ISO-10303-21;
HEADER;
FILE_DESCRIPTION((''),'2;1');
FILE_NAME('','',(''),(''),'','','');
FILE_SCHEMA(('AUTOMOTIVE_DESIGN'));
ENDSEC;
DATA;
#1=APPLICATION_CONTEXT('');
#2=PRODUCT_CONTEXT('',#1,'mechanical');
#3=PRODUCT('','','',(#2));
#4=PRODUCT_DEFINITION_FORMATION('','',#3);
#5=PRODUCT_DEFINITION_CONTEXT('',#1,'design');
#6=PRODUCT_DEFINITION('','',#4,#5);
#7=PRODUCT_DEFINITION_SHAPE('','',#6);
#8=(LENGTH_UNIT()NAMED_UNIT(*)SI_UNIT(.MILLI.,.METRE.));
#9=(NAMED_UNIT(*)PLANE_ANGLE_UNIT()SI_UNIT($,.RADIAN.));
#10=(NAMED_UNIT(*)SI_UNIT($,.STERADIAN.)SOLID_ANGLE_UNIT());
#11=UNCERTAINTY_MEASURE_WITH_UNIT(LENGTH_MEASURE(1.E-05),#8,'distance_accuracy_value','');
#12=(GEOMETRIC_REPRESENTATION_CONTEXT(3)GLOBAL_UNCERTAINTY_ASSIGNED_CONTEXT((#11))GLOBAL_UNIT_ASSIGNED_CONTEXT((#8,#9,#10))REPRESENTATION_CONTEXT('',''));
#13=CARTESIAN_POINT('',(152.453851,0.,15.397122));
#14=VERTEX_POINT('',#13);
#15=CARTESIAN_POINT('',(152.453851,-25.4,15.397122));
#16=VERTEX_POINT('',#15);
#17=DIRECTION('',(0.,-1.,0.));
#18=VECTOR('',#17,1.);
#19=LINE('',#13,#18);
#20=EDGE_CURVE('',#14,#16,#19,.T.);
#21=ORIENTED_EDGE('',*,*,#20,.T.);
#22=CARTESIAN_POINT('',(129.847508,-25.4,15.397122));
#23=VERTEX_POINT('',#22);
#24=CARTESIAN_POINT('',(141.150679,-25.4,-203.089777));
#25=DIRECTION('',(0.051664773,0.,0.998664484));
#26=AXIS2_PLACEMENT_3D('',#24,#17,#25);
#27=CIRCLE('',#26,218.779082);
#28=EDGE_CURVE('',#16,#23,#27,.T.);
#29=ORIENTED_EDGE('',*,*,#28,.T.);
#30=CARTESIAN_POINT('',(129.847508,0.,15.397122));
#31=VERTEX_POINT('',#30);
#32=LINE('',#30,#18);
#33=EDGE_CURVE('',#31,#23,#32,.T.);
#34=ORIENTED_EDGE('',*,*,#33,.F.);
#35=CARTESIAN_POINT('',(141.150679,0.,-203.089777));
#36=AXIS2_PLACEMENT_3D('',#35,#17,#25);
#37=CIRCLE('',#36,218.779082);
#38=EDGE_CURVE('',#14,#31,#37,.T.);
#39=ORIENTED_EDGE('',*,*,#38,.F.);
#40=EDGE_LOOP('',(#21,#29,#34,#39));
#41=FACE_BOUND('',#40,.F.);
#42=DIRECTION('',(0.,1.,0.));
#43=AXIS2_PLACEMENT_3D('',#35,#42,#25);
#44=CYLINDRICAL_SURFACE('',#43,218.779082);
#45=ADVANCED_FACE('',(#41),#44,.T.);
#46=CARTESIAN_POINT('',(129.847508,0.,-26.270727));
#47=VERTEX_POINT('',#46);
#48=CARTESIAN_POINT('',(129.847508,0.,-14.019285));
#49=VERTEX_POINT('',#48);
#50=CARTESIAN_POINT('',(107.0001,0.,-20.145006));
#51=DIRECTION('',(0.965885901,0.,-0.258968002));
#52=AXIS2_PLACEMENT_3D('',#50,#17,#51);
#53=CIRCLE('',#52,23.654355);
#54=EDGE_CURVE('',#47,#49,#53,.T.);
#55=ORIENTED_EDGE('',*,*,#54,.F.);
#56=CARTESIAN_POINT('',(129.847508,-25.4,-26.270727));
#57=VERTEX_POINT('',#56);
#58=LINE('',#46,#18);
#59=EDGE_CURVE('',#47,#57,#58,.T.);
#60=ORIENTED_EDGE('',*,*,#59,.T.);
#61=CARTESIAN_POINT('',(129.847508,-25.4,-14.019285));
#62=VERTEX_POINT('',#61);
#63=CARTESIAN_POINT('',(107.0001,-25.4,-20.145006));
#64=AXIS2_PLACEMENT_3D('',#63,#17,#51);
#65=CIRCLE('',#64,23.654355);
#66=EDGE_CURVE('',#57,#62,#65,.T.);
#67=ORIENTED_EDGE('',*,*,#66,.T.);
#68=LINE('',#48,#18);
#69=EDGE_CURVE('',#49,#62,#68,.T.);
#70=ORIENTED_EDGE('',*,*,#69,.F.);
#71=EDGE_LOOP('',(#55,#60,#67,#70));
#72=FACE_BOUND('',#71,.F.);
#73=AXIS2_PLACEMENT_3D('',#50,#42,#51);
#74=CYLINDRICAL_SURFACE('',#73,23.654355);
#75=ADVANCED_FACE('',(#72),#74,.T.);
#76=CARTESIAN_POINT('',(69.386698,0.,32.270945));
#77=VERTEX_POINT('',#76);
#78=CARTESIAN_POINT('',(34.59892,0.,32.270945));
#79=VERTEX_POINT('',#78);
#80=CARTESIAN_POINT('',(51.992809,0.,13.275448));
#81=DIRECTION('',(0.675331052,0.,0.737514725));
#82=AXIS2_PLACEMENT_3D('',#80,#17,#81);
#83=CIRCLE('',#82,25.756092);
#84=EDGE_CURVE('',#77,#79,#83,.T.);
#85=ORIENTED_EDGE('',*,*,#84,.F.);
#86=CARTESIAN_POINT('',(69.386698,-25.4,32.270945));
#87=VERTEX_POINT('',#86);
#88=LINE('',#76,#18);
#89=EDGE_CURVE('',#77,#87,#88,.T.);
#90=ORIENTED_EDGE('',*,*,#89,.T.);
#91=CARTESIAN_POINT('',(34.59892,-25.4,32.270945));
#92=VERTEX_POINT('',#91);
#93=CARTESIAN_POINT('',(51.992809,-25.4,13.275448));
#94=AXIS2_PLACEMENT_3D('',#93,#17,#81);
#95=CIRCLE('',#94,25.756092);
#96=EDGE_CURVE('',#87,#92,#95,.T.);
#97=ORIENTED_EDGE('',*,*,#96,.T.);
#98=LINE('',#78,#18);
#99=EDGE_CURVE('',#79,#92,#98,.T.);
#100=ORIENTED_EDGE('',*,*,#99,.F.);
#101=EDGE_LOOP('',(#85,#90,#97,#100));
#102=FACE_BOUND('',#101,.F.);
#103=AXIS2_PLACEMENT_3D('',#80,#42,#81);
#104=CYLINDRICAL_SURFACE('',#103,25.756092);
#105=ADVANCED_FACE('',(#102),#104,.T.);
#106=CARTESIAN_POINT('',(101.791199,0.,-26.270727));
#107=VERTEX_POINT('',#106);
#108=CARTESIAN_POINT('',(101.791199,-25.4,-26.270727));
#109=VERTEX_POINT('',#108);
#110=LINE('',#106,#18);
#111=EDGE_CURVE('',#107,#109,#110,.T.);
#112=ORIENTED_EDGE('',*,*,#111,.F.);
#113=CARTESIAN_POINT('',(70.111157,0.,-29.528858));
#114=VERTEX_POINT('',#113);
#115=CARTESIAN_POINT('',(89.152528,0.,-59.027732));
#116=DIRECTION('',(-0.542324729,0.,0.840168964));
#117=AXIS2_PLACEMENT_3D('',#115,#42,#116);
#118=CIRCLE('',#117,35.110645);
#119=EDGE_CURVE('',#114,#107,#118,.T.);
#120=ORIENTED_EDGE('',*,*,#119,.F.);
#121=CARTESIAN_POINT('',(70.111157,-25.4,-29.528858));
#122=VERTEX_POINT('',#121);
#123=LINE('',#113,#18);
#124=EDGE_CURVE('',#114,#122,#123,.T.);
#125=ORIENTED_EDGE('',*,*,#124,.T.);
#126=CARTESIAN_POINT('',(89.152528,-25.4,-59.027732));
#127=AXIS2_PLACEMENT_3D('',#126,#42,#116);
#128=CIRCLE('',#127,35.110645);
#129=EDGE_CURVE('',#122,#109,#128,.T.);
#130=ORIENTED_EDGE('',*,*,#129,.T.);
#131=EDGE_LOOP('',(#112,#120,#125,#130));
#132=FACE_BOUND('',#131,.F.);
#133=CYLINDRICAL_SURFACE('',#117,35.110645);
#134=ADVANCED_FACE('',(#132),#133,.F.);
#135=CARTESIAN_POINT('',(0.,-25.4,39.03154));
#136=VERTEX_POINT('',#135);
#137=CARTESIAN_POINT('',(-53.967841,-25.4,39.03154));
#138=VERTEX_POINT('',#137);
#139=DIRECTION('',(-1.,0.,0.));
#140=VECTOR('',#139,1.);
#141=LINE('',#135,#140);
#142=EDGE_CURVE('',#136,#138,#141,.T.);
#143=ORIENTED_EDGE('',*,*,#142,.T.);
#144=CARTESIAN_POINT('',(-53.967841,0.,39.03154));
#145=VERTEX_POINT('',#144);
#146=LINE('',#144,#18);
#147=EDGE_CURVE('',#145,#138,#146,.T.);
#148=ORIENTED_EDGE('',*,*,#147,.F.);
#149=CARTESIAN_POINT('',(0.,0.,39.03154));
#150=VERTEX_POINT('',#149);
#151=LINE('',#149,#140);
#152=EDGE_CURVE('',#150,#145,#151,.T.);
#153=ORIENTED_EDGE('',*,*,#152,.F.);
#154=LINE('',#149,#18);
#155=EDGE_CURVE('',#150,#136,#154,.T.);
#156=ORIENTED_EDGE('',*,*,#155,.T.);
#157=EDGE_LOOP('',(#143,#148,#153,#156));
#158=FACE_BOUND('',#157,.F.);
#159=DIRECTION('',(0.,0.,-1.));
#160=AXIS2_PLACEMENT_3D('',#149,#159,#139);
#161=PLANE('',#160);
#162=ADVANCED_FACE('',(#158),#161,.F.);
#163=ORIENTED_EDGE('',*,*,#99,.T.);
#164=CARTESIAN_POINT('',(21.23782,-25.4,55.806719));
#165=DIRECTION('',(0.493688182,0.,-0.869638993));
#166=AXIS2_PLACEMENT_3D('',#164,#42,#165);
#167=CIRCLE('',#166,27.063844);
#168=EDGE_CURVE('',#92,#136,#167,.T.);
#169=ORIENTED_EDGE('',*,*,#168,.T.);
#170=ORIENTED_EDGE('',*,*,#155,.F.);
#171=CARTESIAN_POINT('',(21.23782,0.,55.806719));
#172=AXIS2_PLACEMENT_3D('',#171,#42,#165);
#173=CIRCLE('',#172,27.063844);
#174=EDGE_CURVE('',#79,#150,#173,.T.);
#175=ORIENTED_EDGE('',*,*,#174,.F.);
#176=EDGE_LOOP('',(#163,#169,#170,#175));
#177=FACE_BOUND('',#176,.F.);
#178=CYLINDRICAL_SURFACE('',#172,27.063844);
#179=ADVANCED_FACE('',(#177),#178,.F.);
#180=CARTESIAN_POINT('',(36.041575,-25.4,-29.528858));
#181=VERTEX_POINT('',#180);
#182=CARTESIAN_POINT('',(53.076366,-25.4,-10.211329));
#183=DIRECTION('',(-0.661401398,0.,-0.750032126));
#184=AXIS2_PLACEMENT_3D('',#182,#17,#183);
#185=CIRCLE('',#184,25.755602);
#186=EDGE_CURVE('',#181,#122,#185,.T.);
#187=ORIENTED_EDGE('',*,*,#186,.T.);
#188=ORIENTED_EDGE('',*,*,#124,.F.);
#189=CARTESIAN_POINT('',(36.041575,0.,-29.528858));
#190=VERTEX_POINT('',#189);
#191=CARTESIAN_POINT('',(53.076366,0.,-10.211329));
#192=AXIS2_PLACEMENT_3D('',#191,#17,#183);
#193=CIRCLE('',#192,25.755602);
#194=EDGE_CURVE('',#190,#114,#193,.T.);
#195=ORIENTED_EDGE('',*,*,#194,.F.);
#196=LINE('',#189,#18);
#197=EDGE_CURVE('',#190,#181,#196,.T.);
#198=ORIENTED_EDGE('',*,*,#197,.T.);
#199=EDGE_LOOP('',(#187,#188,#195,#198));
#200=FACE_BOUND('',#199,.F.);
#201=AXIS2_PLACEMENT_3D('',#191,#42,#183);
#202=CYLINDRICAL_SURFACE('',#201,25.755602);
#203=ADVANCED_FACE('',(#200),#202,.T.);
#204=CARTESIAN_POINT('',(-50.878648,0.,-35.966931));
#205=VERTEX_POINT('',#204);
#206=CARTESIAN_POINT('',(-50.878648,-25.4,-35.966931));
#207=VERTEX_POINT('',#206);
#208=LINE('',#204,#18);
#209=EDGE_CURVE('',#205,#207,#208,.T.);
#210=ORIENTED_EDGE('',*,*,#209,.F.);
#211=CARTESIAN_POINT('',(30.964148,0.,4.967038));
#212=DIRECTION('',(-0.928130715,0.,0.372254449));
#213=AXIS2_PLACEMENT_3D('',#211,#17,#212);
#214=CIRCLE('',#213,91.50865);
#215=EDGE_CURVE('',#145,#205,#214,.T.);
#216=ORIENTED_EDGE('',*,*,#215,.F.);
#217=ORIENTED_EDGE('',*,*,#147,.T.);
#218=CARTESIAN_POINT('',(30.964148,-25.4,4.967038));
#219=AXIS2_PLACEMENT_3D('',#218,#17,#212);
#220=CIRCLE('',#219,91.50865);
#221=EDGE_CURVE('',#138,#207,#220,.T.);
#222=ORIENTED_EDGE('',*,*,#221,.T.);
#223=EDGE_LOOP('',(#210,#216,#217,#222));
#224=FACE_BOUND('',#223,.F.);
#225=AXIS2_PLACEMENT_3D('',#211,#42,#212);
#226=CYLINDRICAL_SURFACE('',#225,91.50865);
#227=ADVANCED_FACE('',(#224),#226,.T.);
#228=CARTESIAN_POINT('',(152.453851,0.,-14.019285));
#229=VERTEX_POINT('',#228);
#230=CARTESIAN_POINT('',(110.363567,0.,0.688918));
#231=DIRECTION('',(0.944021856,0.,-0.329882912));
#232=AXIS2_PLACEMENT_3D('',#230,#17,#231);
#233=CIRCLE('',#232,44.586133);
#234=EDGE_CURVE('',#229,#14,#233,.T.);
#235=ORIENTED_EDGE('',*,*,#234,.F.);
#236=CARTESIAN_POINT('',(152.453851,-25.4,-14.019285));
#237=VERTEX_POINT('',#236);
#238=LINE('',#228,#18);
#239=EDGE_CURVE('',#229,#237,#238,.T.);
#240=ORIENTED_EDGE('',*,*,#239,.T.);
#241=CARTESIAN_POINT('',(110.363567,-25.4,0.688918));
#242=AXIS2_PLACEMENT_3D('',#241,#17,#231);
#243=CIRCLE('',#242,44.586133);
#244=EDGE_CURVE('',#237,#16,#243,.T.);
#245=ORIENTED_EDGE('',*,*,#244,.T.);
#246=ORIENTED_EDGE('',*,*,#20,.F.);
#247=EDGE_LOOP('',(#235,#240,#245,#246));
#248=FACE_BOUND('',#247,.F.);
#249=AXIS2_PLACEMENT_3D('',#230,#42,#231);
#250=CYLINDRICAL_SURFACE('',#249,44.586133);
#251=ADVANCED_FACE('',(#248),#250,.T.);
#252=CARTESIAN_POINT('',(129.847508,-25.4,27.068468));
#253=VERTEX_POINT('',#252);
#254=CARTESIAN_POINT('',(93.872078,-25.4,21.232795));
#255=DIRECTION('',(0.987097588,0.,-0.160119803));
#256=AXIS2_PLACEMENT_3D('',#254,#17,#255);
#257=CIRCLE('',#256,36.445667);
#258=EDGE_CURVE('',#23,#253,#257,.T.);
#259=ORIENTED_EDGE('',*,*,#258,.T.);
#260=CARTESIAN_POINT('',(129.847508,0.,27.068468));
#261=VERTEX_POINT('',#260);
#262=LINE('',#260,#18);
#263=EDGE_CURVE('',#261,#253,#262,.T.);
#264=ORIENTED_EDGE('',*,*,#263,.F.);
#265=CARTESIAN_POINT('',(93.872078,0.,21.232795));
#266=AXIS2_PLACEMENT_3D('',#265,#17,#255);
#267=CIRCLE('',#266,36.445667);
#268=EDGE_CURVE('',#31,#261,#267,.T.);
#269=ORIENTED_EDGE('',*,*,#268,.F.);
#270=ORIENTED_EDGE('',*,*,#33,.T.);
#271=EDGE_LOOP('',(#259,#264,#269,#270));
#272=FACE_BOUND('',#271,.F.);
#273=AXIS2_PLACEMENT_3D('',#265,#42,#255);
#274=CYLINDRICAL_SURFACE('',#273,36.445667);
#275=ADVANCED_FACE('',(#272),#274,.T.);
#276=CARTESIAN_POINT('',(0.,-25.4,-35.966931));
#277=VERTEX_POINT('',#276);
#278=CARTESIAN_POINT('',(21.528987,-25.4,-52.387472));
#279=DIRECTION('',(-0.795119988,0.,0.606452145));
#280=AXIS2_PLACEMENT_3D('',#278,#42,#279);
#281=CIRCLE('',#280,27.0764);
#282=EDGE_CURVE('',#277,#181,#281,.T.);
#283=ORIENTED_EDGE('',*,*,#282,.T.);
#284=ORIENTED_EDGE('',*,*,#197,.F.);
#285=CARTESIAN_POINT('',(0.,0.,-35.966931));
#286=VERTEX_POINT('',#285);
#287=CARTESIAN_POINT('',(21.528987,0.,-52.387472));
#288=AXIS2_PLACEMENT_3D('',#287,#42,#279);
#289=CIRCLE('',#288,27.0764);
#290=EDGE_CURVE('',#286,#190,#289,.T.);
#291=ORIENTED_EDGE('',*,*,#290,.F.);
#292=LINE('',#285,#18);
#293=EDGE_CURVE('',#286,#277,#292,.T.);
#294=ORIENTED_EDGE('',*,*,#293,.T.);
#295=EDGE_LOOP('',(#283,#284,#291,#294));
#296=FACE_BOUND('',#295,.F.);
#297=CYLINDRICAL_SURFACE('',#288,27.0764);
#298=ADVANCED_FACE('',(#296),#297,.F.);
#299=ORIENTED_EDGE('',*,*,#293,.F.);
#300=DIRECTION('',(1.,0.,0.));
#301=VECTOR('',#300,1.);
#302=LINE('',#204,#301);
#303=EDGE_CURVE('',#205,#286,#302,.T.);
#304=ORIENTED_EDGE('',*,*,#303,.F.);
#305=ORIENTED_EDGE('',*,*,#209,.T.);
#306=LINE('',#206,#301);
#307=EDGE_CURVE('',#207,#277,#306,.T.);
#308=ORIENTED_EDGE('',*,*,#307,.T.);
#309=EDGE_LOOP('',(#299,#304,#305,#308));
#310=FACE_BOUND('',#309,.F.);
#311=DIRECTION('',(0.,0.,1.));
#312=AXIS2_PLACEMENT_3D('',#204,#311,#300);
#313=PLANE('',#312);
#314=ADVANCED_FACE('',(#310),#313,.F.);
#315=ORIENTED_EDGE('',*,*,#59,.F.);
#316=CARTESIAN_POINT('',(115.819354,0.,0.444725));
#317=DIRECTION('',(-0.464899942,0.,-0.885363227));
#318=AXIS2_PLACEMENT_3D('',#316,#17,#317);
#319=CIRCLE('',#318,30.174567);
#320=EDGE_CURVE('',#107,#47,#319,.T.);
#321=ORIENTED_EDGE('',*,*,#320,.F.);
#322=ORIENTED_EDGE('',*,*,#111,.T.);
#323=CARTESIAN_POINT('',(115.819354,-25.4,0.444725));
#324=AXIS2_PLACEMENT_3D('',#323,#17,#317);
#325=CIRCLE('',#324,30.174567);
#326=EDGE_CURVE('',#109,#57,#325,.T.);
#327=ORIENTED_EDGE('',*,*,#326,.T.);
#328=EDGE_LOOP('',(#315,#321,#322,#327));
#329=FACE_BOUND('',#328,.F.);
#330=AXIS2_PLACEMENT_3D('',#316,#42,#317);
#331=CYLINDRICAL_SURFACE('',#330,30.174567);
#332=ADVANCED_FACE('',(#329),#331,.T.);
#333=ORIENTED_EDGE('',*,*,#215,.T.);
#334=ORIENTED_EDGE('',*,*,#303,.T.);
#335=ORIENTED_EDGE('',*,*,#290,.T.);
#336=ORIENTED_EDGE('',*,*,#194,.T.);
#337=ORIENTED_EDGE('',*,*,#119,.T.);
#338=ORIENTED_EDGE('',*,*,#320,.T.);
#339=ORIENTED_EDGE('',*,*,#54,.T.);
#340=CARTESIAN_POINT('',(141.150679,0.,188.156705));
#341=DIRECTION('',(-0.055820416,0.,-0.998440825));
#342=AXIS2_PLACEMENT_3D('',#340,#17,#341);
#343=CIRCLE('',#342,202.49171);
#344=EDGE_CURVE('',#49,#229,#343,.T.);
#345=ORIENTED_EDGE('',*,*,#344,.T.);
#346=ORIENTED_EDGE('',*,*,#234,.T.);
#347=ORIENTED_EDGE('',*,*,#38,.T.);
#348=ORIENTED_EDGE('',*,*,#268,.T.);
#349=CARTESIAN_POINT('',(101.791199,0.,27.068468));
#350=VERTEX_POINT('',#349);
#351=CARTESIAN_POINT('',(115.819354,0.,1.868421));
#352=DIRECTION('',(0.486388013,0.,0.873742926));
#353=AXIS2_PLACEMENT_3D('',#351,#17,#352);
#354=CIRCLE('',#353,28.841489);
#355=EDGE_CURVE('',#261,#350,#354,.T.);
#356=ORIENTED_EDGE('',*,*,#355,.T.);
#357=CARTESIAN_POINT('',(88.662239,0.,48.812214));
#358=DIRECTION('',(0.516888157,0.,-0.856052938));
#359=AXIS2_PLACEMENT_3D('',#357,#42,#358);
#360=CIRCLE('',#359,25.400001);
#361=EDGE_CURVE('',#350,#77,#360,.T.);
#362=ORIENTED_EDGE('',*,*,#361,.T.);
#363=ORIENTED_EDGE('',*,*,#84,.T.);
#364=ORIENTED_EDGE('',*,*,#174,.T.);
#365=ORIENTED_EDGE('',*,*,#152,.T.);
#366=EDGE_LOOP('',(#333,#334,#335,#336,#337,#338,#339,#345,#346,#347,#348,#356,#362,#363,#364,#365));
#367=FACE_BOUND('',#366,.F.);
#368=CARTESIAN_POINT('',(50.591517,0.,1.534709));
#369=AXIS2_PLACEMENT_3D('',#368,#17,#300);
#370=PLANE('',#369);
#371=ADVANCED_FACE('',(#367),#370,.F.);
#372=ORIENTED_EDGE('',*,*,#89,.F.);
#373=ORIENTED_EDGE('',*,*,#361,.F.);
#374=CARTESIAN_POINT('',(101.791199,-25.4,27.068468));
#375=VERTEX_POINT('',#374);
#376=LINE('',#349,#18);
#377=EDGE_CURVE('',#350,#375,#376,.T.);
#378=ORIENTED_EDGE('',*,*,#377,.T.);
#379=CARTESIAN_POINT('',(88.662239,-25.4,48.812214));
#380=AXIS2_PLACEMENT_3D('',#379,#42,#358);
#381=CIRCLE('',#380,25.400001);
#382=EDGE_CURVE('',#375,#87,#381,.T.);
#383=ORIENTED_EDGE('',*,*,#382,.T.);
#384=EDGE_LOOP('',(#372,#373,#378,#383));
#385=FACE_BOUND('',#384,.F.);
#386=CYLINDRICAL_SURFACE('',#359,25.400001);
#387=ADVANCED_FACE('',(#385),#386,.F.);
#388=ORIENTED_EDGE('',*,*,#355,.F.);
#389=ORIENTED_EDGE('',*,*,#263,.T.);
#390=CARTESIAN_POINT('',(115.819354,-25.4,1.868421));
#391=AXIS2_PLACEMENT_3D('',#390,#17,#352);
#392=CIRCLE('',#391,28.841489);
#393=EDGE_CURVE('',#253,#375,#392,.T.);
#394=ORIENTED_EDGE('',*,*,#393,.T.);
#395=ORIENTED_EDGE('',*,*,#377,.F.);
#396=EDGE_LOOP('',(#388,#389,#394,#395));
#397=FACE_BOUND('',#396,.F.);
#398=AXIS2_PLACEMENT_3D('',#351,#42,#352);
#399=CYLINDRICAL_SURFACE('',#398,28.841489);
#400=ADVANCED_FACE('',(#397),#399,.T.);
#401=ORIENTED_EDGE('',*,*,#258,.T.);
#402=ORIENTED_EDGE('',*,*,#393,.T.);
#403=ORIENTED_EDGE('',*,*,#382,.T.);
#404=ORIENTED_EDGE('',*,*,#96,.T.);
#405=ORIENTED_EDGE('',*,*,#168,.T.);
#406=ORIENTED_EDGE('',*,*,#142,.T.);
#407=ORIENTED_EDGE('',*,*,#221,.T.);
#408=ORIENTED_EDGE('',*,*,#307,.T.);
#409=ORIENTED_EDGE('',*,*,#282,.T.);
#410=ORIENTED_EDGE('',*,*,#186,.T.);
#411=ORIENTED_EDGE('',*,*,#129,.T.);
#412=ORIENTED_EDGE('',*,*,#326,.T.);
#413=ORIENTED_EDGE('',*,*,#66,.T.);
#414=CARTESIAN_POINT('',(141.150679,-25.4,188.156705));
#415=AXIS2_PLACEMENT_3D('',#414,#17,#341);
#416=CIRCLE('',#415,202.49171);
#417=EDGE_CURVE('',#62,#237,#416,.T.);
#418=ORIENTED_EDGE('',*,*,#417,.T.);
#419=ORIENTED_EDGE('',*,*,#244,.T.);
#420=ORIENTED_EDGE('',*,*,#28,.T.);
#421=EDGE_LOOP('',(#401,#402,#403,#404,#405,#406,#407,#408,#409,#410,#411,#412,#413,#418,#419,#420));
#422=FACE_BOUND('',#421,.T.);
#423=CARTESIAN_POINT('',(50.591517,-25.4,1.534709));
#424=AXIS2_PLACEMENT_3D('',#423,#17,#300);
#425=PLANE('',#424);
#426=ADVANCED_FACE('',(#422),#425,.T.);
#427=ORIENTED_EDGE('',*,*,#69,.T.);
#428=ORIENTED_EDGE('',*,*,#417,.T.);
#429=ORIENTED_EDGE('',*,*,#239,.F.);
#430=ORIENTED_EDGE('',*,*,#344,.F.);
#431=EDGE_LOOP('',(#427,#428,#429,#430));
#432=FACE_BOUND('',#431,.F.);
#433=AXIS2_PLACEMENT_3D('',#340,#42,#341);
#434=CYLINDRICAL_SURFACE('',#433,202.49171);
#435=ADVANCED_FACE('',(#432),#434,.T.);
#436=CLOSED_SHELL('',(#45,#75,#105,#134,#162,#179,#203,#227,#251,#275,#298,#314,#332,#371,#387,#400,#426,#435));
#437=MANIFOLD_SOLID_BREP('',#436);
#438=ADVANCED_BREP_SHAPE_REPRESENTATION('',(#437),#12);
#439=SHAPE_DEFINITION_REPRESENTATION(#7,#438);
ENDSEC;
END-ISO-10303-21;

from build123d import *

# Parameters (mm, degrees)
F1_DEPTH = 25.4


with BuildPart() as f1:
    # F0 (on Front) → F1 (new body)
    with BuildSketch(Plane.XZ):
        with BuildLine():
            ThreePointArc((70.111157, -29.528858), (64.82074, 1.313272), (69.386698, 32.270945))
            ThreePointArc((69.386698, 32.270945), (51.992809, 39.03154), (34.59892, 32.270945))
            ThreePointArc((34.59892, 32.270945), (29.893964, 1.244372), (36.041575, -29.528858))
            ThreePointArc((36.041575, -29.528858), (53.076366, -35.966931), (70.111157, -29.528858))
        make_face()
        with BuildLine():
            ThreePointArc((101.791199, 27.068468), (84.635881, 23.733368), (69.386698, 32.270945))
            ThreePointArc((69.386698, 32.270945), (64.82074, 1.313272), (70.111157, -29.528858))
            ThreePointArc((70.111157, -29.528858), (85.560524, -24.101311), (101.791199, -26.270727))
            ThreePointArc((101.791199, -26.270727), (98.099114, 0.39887), (101.791199, 27.068468))
        make_face()
        with BuildLine():
            ThreePointArc((36.041575, -29.528858), (29.893964, 1.244372), (34.59892, 32.270945))
            ThreePointArc((34.59892, 32.270945), (16.047725, 29.245195), (0, 39.03154))
            Line((0, 39.03154), (-53.967841, 39.03154))
            ThreePointArc((-53.967841, 39.03154), (-60.466973, 1.200982), (-50.878648, -35.966931))
            Line((-50.878648, -35.966931), (0, -35.966931))
            ThreePointArc((0, -35.966931), (16.76772, -25.732983), (36.041575, -29.528858))
        make_face()
        with BuildLine():
            ThreePointArc((129.847508, 27.068468), (115.819353, 30.70991), (101.791199, 27.068468))
            ThreePointArc((101.791199, 27.068468), (98.099114, 0.39887), (101.791199, -26.270727))
            ThreePointArc((101.791199, -26.270727), (115.819353, -29.729842), (129.847508, -26.270727))
            ThreePointArc((129.847508, -26.270727), (130.654455, -20.145006), (129.847508, -14.019285))
            ThreePointArc((129.847508, -14.019285), (128.08968, 0.688918), (129.847508, 15.397122))
            ThreePointArc((129.847508, 15.397122), (130.317745, 21.232795), (129.847508, 27.068468))
        make_face()
        with BuildLine():
            ThreePointArc((152.453851, 15.397122), (141.150679, 15.689305), (129.847508, 15.397122))
            ThreePointArc((129.847508, 15.397122), (128.08968, 0.688918), (129.847508, -14.019285))
            ThreePointArc((129.847508, -14.019285), (141.150679, -14.335005), (152.453851, -14.019285))
            ThreePointArc((152.453851, -14.019285), (154.9497, 0.688918), (152.453851, 15.397122))
        make_face()
    extrude(amount=F1_DEPTH)


solid = f1.part
